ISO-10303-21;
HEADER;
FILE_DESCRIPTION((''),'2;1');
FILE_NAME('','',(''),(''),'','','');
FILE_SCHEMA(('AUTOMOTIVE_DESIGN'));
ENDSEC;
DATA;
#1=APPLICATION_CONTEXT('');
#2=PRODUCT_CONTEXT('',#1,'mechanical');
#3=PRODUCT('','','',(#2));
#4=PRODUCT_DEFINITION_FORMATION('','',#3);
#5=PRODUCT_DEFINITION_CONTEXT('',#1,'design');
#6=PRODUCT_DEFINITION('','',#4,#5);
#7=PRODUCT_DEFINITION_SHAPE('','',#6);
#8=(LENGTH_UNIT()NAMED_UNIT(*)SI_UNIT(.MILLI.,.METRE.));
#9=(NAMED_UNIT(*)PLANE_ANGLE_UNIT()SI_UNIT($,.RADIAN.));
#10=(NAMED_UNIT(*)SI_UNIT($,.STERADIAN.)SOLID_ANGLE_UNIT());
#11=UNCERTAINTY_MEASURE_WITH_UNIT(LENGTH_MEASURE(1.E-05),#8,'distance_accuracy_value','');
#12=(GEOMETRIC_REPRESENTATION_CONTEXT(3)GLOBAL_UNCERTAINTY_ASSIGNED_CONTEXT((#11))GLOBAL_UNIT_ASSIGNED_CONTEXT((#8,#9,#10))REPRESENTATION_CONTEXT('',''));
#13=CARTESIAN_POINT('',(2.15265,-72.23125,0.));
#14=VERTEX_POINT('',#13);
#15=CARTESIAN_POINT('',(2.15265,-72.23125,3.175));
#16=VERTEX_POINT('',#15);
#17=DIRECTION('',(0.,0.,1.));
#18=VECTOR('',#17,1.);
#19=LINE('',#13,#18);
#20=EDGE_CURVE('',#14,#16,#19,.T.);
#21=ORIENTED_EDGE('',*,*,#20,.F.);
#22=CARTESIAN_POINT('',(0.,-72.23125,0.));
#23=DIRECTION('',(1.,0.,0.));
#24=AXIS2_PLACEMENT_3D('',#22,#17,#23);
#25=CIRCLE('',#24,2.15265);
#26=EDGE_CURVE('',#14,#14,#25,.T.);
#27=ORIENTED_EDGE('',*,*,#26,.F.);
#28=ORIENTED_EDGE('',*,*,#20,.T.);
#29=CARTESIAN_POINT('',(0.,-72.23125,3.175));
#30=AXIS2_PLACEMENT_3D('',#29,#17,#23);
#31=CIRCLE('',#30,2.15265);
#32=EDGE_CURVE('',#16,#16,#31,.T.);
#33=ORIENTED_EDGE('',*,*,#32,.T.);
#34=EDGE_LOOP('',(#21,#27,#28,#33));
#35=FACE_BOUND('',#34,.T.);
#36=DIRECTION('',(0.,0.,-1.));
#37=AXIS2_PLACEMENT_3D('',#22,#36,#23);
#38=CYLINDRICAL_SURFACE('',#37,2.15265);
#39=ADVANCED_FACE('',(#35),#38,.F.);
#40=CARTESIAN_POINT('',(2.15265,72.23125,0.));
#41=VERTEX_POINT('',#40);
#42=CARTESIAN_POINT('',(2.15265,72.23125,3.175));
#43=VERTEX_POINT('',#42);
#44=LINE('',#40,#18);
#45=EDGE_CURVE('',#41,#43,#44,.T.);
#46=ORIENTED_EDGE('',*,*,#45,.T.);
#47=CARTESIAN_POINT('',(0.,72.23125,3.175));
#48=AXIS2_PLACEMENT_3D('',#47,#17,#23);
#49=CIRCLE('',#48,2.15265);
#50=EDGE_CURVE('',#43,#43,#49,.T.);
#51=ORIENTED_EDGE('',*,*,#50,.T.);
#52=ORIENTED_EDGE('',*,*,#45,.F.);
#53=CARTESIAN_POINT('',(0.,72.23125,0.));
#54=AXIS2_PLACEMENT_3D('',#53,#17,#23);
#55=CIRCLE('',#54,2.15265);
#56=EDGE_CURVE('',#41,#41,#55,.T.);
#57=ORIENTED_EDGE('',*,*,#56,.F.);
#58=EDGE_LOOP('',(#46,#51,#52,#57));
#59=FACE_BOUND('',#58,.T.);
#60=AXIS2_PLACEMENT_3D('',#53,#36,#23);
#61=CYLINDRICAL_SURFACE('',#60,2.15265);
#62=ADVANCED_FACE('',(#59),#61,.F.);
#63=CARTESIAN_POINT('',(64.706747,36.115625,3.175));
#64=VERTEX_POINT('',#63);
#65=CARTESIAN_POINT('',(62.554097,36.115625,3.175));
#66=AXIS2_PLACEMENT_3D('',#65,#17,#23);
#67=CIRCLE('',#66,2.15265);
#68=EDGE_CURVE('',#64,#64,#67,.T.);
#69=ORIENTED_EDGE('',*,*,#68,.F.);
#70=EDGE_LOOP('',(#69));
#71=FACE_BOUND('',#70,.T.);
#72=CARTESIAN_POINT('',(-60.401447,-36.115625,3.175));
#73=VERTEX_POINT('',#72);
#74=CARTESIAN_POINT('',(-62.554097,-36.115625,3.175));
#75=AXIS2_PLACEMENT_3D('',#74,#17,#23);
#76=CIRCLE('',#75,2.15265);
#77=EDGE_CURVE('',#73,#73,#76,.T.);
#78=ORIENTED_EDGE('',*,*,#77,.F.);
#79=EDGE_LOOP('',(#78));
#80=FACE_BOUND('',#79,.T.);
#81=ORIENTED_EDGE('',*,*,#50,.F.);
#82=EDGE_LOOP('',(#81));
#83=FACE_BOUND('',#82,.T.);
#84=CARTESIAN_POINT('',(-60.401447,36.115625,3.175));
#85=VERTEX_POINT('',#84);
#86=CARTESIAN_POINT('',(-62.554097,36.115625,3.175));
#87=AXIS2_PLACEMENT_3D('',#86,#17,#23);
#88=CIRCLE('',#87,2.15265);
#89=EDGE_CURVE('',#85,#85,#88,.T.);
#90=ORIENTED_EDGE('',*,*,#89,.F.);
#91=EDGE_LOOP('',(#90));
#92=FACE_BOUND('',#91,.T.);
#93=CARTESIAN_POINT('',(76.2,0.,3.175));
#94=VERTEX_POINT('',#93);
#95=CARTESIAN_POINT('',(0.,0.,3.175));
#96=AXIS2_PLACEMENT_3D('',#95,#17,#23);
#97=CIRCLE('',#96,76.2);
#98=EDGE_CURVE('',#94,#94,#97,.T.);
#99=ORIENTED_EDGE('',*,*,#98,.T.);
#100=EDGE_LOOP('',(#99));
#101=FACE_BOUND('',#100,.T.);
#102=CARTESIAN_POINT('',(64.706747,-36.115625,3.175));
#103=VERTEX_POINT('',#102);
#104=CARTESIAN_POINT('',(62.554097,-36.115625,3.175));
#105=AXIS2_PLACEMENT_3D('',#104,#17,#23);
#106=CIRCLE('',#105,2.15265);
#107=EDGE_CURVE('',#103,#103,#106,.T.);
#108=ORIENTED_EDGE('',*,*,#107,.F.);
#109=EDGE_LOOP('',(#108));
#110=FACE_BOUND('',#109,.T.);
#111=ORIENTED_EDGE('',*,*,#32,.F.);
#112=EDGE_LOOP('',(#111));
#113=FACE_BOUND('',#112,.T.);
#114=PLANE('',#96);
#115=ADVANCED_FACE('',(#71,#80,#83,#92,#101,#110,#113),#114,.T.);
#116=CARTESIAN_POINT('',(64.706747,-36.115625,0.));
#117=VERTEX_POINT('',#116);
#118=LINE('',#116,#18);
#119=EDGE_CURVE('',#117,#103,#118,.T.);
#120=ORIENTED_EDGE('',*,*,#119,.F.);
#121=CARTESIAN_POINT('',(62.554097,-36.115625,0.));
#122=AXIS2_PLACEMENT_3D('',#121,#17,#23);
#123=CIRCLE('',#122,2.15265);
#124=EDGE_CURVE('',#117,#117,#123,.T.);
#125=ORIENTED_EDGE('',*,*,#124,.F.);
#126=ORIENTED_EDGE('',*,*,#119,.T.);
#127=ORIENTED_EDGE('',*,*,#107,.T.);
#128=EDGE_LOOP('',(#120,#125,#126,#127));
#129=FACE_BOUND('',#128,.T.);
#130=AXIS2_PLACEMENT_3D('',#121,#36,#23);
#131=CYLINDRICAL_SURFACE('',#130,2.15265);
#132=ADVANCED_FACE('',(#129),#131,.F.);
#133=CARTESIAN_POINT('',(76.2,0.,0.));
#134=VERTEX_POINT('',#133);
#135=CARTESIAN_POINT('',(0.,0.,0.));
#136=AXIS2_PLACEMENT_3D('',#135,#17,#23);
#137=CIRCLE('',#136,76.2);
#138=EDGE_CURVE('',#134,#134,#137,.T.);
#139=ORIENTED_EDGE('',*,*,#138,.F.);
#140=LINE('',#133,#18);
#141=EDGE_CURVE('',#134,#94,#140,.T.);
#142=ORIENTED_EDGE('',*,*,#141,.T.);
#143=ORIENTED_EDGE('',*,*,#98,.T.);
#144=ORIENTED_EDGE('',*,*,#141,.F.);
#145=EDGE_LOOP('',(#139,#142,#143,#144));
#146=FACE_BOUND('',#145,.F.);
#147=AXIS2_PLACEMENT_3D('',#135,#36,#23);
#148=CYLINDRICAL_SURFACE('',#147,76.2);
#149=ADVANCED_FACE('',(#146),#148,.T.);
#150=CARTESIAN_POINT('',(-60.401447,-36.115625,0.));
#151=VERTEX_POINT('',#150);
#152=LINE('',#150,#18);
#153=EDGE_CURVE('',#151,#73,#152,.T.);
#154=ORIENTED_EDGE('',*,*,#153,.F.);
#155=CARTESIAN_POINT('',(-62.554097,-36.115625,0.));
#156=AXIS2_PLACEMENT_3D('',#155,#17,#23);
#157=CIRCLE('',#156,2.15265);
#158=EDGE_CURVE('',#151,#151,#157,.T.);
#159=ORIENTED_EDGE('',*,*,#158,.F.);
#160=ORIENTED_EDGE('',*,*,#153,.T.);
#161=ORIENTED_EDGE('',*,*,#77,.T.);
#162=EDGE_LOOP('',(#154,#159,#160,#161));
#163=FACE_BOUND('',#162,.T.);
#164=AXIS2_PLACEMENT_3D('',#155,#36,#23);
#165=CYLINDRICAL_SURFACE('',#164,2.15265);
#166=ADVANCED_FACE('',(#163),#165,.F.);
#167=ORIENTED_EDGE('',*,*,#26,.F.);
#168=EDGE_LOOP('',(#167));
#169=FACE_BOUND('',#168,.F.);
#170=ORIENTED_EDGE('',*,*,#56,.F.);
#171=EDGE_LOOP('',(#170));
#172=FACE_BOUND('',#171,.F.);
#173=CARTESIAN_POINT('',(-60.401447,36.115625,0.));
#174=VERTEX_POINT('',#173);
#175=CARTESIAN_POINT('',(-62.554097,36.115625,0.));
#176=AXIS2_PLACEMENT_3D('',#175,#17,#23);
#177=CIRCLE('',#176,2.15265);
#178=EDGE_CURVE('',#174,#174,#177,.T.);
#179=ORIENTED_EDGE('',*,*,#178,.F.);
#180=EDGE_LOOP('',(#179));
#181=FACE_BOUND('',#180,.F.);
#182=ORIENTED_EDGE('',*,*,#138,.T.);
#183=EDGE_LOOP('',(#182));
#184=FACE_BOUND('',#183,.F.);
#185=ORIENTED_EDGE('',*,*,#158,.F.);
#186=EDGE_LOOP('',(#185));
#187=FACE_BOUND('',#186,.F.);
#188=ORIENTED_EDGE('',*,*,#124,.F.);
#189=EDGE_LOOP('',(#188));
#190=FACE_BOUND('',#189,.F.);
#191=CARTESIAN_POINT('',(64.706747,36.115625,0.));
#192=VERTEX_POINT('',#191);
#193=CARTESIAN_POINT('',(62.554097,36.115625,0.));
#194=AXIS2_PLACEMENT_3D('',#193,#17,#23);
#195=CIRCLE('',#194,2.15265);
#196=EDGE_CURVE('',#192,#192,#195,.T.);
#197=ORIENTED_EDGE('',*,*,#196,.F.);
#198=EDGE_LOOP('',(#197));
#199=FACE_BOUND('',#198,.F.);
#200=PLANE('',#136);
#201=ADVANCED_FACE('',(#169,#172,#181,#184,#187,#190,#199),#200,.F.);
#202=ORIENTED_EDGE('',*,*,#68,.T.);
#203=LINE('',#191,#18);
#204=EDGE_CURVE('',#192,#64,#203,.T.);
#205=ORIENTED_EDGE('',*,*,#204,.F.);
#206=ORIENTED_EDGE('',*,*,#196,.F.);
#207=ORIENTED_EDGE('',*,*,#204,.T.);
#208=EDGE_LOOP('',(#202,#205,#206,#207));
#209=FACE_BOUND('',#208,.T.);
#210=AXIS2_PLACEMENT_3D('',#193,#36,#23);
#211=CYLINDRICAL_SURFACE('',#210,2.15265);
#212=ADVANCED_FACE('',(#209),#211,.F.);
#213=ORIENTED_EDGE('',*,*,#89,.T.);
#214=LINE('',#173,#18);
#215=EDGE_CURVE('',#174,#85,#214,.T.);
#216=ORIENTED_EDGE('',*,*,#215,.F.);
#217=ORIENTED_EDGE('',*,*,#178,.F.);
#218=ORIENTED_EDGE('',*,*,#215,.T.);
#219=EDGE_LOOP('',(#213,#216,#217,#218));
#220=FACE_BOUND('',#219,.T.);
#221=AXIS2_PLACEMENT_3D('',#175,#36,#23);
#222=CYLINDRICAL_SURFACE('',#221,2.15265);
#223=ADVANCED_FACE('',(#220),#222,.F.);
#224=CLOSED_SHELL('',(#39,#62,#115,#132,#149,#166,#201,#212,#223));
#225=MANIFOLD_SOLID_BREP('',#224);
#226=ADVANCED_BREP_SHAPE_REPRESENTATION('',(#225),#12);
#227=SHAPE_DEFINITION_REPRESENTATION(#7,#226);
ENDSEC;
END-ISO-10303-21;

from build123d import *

# Parameters (mm, degrees)
F0_R     = 76.2
F0_R_2   = 2.15265
F1_DEPTH = 3.175


with BuildPart() as f1:
    # F0 (on Top) → F1 (new body)
    with BuildSketch(Plane.XY):
        Circle(F0_R)
        with Locations((-62.554097, -36.115625)):
            Circle(F0_R_2, mode=Mode.SUBTRACT)
        with Locations((0, -72.23125)):
            Circle(F0_R_2, mode=Mode.SUBTRACT)
        with Locations((62.554097, -36.115625)):
            Circle(F0_R_2, mode=Mode.SUBTRACT)
        with Locations((-62.554097, 36.115625)):
            Circle(F0_R_2, mode=Mode.SUBTRACT)
        with Locations((62.554097, 36.115625)):
            Circle(F0_R_2, mode=Mode.SUBTRACT)
        with Locations((0, 72.23125)):
            Circle(F0_R_2, mode=Mode.SUBTRACT)
    extrude(amount=F1_DEPTH)


solid = f1.part
